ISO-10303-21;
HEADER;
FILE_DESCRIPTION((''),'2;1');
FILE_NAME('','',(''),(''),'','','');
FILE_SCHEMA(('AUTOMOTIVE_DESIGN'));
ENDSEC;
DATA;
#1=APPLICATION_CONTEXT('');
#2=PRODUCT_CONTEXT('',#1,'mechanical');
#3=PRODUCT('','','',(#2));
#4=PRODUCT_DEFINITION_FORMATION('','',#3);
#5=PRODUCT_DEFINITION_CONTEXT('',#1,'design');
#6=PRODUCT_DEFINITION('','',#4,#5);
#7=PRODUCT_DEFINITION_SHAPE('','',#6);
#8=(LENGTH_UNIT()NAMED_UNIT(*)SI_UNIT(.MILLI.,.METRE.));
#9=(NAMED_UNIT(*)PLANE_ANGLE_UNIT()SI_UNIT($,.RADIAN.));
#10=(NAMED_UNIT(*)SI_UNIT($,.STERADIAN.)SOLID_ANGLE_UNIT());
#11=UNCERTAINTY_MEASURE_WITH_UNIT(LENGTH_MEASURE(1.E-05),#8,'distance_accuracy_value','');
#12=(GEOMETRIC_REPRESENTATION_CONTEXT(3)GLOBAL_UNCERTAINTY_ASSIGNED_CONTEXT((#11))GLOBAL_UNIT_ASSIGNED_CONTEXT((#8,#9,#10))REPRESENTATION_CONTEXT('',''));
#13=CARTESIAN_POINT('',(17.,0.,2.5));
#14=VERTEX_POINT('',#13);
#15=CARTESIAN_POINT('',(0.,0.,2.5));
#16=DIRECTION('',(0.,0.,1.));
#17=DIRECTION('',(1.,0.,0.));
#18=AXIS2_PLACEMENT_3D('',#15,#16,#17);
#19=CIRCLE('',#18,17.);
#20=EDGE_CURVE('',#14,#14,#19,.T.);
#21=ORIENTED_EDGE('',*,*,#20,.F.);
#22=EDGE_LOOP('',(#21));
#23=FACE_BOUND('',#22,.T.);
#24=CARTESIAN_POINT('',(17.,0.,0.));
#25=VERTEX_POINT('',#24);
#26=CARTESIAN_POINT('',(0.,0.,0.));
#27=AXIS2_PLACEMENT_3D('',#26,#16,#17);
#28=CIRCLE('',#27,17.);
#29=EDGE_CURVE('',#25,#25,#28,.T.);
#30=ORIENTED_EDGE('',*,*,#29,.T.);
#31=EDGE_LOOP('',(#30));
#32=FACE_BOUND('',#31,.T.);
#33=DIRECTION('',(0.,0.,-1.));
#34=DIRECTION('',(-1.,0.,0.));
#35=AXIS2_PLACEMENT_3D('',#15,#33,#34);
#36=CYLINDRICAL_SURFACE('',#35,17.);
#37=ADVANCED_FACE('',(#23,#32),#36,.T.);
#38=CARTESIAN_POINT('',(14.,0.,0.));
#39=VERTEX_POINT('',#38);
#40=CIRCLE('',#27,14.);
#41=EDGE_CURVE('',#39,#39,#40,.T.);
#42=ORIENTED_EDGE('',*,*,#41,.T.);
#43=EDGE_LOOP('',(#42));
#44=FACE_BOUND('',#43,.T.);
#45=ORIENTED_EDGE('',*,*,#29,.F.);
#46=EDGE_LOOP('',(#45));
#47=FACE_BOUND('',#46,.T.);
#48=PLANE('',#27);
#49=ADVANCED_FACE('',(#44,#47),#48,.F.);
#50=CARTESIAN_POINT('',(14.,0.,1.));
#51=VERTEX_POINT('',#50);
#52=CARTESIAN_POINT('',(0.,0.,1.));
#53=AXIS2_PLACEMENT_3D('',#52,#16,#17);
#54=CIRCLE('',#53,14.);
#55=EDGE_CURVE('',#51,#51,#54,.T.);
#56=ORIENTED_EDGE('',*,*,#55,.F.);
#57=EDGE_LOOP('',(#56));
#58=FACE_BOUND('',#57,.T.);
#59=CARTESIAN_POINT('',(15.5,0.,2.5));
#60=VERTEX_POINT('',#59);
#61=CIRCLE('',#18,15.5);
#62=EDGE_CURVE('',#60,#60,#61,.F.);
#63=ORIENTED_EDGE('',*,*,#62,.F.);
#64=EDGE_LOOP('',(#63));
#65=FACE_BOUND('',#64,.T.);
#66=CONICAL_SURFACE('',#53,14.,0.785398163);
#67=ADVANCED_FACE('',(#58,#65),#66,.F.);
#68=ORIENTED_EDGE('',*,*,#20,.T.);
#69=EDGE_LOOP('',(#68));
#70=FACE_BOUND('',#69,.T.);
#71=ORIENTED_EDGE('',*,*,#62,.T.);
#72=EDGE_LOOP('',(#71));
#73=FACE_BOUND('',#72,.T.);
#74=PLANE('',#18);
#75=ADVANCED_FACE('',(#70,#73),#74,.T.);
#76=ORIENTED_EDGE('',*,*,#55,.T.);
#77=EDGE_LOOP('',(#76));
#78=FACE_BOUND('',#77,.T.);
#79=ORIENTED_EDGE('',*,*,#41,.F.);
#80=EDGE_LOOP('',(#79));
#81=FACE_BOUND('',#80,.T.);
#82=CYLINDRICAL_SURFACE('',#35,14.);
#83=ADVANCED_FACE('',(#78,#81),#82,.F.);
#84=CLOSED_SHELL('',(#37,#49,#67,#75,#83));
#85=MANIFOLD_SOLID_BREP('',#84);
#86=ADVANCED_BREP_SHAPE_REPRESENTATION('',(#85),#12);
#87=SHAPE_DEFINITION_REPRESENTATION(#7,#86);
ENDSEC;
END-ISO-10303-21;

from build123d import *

# Parameters (mm, degrees)
SKETCH1_R           = 17
SKETCH1_R_2         = 14
BOSS_EXTRUDE1_DEPTH = 2.5
CHAMFER1_SIZE       = 1.5


with BuildPart() as part:
    # Sketch1 → Boss-Extrude1 (new body)
    with BuildSketch(Plane.XY):
        Circle(SKETCH1_R)
        Circle(SKETCH1_R_2, mode=Mode.SUBTRACT)
    extrude(amount=BOSS_EXTRUDE1_DEPTH)

    # Chamfer1
    chamfer1_edges = [part.edges().sort_by_distance(p)[0] for p in [
        (-14, 0, 2.5),
    ]]
    chamfer(chamfer1_edges, length=CHAMFER1_SIZE)


solid = part.part
